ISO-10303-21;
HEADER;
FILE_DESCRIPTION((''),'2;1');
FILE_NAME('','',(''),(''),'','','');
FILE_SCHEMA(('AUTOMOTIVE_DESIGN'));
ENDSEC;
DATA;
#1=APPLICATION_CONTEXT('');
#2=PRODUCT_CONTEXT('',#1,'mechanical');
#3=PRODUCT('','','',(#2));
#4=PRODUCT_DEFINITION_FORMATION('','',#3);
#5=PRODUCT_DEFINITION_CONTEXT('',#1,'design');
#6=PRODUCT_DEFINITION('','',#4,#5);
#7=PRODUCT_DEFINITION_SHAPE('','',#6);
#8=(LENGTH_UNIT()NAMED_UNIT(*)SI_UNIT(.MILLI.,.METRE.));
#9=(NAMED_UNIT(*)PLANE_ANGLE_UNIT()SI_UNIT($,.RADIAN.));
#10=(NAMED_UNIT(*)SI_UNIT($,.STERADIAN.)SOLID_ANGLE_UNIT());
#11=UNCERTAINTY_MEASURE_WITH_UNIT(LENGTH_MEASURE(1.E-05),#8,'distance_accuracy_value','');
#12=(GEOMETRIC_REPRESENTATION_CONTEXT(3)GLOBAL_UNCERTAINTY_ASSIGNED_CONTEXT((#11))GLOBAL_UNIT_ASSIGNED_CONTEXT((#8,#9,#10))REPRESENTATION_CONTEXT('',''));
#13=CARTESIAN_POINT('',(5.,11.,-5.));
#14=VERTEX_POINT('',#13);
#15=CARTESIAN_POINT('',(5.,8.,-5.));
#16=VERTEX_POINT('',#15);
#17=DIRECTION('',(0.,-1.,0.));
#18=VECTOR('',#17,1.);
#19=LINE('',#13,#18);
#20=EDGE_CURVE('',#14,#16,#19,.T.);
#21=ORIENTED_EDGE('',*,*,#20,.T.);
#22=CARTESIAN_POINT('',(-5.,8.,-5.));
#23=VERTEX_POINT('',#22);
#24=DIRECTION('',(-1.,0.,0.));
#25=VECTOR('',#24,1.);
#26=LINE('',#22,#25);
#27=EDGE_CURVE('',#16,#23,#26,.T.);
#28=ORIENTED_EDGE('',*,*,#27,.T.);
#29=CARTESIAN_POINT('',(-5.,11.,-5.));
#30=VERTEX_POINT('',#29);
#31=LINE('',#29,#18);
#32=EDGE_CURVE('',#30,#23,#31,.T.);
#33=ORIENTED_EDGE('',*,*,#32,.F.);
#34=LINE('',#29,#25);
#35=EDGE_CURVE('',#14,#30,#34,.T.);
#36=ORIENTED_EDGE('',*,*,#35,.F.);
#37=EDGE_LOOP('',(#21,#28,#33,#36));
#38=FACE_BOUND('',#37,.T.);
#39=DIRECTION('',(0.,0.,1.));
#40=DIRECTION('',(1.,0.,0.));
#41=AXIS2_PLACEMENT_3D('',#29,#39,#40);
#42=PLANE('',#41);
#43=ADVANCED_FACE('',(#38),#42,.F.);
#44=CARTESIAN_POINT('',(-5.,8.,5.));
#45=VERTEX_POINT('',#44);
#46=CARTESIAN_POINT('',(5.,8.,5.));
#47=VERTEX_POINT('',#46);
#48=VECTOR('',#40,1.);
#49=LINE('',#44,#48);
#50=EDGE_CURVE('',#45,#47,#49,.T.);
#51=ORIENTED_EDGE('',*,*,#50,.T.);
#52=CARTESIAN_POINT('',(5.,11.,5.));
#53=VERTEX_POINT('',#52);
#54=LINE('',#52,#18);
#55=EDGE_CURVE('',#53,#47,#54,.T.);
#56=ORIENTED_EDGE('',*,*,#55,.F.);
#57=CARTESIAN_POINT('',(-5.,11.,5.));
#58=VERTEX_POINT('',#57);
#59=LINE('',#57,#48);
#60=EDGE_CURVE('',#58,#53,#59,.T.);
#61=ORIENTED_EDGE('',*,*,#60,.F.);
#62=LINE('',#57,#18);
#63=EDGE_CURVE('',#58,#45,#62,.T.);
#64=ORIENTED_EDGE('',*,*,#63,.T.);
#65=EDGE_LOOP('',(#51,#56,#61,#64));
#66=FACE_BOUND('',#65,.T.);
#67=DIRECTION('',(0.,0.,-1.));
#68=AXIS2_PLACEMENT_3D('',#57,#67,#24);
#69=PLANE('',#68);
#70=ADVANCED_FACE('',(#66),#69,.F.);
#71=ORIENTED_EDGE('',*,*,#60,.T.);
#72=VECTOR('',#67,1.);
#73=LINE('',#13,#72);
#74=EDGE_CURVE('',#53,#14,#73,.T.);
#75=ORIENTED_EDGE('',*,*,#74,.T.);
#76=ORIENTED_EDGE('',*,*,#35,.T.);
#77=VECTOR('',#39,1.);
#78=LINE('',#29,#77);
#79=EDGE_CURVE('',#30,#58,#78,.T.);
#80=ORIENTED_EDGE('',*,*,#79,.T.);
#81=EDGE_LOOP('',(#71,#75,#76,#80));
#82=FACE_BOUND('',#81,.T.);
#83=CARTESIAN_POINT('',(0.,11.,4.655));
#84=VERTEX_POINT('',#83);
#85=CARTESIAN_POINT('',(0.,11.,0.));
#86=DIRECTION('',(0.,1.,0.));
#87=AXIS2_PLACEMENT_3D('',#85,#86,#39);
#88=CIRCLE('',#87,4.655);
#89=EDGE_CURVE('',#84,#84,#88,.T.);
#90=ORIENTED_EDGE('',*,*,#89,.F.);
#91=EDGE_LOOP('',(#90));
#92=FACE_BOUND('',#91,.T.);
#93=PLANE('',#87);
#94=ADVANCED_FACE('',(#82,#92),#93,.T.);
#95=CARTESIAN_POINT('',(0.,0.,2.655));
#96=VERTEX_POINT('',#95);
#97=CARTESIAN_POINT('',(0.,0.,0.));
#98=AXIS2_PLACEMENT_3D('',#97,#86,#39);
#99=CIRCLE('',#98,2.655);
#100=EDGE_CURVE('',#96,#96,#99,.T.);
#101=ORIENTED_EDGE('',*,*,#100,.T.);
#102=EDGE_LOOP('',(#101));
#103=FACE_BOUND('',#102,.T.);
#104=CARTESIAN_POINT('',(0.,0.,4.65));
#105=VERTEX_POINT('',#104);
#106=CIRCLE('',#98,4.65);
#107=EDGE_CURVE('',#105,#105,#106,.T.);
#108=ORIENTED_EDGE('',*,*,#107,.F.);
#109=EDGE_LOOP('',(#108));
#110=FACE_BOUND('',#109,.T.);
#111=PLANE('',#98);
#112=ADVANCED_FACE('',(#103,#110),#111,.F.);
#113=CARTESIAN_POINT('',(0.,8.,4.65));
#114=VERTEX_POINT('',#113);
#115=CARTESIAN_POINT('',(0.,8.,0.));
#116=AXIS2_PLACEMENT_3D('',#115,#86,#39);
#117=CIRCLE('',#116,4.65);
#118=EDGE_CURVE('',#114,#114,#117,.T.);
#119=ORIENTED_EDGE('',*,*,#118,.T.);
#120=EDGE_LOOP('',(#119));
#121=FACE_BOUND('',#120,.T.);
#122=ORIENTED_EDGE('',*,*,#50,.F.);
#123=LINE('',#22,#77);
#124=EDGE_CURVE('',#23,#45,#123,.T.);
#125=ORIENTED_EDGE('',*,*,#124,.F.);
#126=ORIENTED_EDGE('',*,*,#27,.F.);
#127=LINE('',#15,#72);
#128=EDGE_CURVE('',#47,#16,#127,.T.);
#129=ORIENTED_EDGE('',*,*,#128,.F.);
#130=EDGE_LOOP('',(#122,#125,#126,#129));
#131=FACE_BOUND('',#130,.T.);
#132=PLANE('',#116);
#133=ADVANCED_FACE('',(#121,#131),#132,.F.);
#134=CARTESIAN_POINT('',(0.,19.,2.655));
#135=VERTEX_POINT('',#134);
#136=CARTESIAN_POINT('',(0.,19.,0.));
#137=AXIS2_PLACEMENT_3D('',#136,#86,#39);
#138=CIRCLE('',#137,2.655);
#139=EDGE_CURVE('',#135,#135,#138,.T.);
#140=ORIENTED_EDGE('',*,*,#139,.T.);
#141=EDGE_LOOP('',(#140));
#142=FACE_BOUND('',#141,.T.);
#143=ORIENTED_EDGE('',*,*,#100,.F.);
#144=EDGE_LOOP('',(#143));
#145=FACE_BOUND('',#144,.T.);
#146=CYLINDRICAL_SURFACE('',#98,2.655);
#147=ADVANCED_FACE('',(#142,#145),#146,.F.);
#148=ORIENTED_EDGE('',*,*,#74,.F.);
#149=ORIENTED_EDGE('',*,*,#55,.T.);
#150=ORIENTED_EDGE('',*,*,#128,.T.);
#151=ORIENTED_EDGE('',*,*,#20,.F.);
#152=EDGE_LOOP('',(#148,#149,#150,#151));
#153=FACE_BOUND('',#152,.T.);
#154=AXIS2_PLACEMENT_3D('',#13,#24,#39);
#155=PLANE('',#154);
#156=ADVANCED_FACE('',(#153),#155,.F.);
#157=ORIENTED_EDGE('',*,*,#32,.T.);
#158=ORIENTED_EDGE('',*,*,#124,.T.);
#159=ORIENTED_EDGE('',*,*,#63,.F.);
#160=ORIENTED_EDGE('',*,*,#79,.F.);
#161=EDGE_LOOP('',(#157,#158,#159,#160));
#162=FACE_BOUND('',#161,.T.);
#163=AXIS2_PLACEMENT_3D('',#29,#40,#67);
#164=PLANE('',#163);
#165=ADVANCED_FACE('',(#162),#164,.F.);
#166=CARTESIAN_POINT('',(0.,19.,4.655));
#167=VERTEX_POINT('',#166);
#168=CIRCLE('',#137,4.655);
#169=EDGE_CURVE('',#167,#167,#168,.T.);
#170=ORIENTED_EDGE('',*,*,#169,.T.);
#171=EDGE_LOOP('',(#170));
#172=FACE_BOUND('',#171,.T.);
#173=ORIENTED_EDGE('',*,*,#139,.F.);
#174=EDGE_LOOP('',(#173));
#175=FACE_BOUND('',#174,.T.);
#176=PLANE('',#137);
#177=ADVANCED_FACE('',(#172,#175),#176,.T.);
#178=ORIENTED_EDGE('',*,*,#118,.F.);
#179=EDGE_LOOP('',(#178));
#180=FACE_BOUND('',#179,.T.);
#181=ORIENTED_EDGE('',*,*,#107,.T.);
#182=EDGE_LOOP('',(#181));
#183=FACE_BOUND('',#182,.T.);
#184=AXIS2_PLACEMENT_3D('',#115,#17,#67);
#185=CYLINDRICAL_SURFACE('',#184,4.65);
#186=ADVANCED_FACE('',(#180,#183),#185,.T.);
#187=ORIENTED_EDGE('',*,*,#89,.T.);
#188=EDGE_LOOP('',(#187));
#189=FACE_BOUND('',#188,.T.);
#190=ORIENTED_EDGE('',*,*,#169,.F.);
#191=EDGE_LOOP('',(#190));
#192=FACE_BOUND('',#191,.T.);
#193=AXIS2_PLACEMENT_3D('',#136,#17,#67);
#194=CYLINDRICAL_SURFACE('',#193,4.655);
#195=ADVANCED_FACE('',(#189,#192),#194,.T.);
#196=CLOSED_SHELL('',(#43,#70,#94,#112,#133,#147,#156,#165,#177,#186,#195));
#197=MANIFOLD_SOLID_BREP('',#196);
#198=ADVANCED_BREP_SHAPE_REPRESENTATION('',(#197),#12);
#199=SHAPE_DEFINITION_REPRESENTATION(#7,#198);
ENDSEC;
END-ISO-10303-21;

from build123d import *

# Parameters (mm, degrees)
SKETCH1_R               = 4.65
BOSS_EXTRUDE1_DEPTH     = 8
SKETCH2_W               = 10
SKETCH2_H               = 10
BOSS_EXTRUDE2_DEPTH     = 3
SKETCH3_R               = 4.655
BOSS_EXTRUDE3_DEPTH     = 8
CUT_EXTRUDE1_DEPTH      = 21.273134933
CUT_EXTRUDE1_DEPTH_BACK = 21.273134933
SKETCH4_R               = 2.655


with BuildPart() as part:
    # Sketch1 → Boss-Extrude1 (new body)
    with BuildSketch(Plane(origin=(0, 0, 0), x_dir=(1, 0, 0), z_dir=(0, 1, 0))):
        with Locations(Location((0, 0, 0), (0, 0, 270))):
            Circle(SKETCH1_R)
    extrude(amount=BOSS_EXTRUDE1_DEPTH)

    # Sketch2 → Boss-Extrude2 (add)
    with BuildSketch(Plane(origin=(0, 8, 0), x_dir=(1, 0, 0), z_dir=(0, 1, 0))):
        Rectangle(SKETCH2_W, SKETCH2_H)
    extrude(amount=BOSS_EXTRUDE2_DEPTH)

    # Sketch3 → Boss-Extrude3 (add)
    with BuildSketch(Plane(origin=(0, 11, 0), x_dir=(1, 0, 0), z_dir=(0, 1, 0))):
        with Locations(Location((0, 0, 0), (0, 0, 270))):
            Circle(SKETCH3_R)
    extrude(amount=BOSS_EXTRUDE3_DEPTH)

    # Sketch4 → Cut-Extrude1 (cut, two sides: drawn at the far end of the back side and taken through both)
    with BuildSketch(Plane(origin=(0, 19, 0), x_dir=(1, 0, 0), z_dir=(0, 1, 0)).offset(-CUT_EXTRUDE1_DEPTH_BACK)):
        with Locations(Location((0, 0, 0), (0, 0, 270))):
            Circle(SKETCH4_R)
    extrude(amount=CUT_EXTRUDE1_DEPTH + CUT_EXTRUDE1_DEPTH_BACK, mode=Mode.SUBTRACT)


solid = part.part
